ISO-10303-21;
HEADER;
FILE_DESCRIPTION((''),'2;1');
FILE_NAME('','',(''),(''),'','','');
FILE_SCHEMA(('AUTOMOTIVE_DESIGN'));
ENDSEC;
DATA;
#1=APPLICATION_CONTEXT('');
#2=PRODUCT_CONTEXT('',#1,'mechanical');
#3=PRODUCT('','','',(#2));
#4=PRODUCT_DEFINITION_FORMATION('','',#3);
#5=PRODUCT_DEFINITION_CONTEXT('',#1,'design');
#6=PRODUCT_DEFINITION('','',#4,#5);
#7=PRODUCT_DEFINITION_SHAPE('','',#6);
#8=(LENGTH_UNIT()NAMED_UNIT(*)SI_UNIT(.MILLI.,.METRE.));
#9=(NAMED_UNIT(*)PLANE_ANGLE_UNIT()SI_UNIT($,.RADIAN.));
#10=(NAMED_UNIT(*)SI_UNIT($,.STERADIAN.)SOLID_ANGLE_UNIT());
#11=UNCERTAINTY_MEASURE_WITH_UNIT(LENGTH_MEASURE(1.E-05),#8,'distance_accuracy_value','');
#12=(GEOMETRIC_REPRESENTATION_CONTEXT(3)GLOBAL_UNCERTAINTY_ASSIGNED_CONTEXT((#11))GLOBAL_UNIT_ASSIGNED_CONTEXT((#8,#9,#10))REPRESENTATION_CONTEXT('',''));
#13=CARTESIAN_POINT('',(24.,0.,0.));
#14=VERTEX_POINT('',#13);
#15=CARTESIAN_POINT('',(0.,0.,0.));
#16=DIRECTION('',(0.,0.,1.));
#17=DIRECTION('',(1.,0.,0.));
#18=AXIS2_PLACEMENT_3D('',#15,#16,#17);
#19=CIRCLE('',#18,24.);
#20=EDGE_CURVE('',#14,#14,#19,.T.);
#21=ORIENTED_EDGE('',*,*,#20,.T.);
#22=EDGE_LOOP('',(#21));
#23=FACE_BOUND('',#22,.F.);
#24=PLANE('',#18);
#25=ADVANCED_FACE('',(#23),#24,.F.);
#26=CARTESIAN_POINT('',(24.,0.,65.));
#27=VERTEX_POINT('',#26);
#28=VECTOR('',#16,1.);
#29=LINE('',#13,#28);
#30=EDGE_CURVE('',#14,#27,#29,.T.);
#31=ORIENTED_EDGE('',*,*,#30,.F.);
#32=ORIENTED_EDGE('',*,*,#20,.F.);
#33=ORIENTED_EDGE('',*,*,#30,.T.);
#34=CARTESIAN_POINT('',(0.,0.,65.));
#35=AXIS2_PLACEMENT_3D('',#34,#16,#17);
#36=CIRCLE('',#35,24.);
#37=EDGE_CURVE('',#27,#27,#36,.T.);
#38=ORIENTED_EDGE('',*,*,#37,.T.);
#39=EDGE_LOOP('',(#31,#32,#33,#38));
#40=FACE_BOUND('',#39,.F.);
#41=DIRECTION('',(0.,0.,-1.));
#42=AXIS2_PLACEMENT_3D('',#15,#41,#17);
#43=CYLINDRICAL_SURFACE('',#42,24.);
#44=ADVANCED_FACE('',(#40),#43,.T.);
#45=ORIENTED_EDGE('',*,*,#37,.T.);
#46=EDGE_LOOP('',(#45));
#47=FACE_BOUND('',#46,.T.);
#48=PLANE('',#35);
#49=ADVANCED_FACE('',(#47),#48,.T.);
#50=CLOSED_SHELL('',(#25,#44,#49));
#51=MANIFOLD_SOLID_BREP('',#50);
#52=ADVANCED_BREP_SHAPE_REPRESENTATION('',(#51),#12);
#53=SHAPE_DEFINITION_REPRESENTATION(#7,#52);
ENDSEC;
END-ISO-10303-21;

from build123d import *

# Parameters (mm, degrees)
SKETCH_R  = 24
PAD_DEPTH = 65


with BuildPart() as part:
    # Sketch → Pad (new body)
    with BuildSketch(Plane.XY):
        Circle(SKETCH_R)
    extrude(amount=PAD_DEPTH)


solid = part.part
